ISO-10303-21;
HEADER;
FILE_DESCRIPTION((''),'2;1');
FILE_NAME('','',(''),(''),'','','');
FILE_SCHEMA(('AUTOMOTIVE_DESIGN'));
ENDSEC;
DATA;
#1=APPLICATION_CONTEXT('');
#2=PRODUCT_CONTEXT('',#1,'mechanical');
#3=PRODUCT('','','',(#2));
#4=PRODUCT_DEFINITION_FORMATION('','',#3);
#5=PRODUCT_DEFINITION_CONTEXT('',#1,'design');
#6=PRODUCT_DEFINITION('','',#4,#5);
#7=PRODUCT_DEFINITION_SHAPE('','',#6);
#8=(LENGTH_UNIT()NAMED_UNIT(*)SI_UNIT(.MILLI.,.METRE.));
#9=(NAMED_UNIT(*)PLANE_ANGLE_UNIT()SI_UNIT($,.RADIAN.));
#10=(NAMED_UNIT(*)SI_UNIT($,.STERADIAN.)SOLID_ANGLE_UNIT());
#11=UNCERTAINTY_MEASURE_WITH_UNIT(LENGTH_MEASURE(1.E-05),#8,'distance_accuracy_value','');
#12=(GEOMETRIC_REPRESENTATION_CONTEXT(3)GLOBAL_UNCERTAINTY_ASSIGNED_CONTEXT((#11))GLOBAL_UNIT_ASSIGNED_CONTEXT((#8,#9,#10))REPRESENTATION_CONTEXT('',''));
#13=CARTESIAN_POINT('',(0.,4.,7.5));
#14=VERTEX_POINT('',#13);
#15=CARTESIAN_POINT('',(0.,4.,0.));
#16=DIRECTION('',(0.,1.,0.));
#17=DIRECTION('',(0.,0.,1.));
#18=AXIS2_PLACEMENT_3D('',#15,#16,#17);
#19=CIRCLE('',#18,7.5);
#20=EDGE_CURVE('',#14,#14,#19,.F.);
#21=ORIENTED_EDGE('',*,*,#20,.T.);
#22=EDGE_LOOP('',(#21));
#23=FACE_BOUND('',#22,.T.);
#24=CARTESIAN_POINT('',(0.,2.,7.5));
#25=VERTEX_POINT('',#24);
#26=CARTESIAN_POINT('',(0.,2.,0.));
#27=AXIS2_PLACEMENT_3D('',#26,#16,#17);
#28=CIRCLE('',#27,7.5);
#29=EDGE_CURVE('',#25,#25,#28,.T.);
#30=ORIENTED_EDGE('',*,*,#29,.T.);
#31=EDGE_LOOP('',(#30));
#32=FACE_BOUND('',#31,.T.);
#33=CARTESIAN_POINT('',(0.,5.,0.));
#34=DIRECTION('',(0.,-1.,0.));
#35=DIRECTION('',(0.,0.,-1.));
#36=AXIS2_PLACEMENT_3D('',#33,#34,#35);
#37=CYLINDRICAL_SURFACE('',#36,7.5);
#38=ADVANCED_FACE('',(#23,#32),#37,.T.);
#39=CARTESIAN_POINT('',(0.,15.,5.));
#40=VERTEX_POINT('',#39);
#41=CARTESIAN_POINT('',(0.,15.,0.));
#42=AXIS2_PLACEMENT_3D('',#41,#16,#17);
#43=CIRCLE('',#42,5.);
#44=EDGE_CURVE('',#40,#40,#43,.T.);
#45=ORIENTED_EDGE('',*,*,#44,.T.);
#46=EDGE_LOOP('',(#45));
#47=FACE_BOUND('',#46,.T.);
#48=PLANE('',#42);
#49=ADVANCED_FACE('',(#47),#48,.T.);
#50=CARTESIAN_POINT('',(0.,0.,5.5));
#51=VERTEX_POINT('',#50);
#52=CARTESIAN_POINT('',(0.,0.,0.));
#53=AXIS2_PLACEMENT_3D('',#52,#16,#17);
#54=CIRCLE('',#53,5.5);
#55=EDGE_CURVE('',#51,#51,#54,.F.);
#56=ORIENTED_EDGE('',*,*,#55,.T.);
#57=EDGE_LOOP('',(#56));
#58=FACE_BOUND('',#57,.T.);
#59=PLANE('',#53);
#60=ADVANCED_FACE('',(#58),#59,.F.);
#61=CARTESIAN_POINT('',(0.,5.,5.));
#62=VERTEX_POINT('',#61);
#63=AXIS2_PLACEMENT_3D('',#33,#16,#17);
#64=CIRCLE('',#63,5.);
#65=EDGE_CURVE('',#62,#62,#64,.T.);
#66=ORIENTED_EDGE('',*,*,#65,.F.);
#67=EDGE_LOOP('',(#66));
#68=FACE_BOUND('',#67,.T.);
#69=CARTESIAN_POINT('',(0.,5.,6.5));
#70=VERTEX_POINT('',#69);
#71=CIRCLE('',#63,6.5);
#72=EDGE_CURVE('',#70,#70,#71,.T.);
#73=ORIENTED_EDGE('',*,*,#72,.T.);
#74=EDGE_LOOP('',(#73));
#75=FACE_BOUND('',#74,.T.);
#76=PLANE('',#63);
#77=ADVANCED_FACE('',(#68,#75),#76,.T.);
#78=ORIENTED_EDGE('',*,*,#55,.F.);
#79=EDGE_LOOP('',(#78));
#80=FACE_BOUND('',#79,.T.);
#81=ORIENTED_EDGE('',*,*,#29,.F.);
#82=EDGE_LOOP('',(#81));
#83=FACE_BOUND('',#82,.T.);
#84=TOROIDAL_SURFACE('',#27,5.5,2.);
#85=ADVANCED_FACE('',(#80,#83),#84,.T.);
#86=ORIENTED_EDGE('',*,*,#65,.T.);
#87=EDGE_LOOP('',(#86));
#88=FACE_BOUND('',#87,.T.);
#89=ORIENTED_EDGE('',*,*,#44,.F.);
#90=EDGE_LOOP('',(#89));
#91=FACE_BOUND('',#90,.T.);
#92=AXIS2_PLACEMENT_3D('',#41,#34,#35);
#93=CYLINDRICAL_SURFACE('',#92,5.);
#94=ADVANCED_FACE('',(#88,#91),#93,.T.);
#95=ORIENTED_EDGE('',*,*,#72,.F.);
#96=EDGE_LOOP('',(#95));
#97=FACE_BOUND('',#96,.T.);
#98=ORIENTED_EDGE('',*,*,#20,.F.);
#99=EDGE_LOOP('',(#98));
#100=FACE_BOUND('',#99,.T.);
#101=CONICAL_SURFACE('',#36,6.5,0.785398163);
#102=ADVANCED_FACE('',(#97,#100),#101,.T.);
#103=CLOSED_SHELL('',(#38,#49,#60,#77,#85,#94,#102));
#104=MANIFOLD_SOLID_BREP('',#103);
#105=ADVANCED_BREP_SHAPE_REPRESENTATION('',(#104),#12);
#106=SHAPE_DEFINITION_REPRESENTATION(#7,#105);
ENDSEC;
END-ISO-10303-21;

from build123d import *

# Parameters (mm, degrees)
SKETCH1_R           = 7.5
BOSS_EXTRUDE1_DEPTH = 5
FILLET1_R           = 2
SKETCH2_R           = 5
BOSS_EXTRUDE2_DEPTH = 10
CHAMFER2_SIZE       = 1


with BuildPart() as part:
    # Sketch1 → Boss-Extrude1 (new body)
    with BuildSketch(Plane(origin=(0, 0, 0), x_dir=(1, 0, 0), z_dir=(0, 1, 0))):
        with Locations(Location((0, 0, 0), (0, 0, 270))):
            Circle(SKETCH1_R)
    extrude(amount=BOSS_EXTRUDE1_DEPTH)

    # Fillet1
    fillet1_edges = [part.edges().sort_by_distance(p)[0] for p in [
        (0, 0, -7.5),
    ]]
    fillet(fillet1_edges, radius=FILLET1_R)

    # Sketch2 → Boss-Extrude2 (add)
    with BuildSketch(Plane(origin=(0, 5, 0), x_dir=(1, 0, 0), z_dir=(0, 1, 0))):
        with Locations(Location((0, 0, 0), (0, 0, 270))):
            Circle(SKETCH2_R)
    extrude(amount=BOSS_EXTRUDE2_DEPTH)

    # Chamfer2
    chamfer2_edges = [part.edges().sort_by_distance(p)[0] for p in [
        (0, 5, -7.5),
    ]]
    chamfer(chamfer2_edges, length=CHAMFER2_SIZE)


solid = part.part
